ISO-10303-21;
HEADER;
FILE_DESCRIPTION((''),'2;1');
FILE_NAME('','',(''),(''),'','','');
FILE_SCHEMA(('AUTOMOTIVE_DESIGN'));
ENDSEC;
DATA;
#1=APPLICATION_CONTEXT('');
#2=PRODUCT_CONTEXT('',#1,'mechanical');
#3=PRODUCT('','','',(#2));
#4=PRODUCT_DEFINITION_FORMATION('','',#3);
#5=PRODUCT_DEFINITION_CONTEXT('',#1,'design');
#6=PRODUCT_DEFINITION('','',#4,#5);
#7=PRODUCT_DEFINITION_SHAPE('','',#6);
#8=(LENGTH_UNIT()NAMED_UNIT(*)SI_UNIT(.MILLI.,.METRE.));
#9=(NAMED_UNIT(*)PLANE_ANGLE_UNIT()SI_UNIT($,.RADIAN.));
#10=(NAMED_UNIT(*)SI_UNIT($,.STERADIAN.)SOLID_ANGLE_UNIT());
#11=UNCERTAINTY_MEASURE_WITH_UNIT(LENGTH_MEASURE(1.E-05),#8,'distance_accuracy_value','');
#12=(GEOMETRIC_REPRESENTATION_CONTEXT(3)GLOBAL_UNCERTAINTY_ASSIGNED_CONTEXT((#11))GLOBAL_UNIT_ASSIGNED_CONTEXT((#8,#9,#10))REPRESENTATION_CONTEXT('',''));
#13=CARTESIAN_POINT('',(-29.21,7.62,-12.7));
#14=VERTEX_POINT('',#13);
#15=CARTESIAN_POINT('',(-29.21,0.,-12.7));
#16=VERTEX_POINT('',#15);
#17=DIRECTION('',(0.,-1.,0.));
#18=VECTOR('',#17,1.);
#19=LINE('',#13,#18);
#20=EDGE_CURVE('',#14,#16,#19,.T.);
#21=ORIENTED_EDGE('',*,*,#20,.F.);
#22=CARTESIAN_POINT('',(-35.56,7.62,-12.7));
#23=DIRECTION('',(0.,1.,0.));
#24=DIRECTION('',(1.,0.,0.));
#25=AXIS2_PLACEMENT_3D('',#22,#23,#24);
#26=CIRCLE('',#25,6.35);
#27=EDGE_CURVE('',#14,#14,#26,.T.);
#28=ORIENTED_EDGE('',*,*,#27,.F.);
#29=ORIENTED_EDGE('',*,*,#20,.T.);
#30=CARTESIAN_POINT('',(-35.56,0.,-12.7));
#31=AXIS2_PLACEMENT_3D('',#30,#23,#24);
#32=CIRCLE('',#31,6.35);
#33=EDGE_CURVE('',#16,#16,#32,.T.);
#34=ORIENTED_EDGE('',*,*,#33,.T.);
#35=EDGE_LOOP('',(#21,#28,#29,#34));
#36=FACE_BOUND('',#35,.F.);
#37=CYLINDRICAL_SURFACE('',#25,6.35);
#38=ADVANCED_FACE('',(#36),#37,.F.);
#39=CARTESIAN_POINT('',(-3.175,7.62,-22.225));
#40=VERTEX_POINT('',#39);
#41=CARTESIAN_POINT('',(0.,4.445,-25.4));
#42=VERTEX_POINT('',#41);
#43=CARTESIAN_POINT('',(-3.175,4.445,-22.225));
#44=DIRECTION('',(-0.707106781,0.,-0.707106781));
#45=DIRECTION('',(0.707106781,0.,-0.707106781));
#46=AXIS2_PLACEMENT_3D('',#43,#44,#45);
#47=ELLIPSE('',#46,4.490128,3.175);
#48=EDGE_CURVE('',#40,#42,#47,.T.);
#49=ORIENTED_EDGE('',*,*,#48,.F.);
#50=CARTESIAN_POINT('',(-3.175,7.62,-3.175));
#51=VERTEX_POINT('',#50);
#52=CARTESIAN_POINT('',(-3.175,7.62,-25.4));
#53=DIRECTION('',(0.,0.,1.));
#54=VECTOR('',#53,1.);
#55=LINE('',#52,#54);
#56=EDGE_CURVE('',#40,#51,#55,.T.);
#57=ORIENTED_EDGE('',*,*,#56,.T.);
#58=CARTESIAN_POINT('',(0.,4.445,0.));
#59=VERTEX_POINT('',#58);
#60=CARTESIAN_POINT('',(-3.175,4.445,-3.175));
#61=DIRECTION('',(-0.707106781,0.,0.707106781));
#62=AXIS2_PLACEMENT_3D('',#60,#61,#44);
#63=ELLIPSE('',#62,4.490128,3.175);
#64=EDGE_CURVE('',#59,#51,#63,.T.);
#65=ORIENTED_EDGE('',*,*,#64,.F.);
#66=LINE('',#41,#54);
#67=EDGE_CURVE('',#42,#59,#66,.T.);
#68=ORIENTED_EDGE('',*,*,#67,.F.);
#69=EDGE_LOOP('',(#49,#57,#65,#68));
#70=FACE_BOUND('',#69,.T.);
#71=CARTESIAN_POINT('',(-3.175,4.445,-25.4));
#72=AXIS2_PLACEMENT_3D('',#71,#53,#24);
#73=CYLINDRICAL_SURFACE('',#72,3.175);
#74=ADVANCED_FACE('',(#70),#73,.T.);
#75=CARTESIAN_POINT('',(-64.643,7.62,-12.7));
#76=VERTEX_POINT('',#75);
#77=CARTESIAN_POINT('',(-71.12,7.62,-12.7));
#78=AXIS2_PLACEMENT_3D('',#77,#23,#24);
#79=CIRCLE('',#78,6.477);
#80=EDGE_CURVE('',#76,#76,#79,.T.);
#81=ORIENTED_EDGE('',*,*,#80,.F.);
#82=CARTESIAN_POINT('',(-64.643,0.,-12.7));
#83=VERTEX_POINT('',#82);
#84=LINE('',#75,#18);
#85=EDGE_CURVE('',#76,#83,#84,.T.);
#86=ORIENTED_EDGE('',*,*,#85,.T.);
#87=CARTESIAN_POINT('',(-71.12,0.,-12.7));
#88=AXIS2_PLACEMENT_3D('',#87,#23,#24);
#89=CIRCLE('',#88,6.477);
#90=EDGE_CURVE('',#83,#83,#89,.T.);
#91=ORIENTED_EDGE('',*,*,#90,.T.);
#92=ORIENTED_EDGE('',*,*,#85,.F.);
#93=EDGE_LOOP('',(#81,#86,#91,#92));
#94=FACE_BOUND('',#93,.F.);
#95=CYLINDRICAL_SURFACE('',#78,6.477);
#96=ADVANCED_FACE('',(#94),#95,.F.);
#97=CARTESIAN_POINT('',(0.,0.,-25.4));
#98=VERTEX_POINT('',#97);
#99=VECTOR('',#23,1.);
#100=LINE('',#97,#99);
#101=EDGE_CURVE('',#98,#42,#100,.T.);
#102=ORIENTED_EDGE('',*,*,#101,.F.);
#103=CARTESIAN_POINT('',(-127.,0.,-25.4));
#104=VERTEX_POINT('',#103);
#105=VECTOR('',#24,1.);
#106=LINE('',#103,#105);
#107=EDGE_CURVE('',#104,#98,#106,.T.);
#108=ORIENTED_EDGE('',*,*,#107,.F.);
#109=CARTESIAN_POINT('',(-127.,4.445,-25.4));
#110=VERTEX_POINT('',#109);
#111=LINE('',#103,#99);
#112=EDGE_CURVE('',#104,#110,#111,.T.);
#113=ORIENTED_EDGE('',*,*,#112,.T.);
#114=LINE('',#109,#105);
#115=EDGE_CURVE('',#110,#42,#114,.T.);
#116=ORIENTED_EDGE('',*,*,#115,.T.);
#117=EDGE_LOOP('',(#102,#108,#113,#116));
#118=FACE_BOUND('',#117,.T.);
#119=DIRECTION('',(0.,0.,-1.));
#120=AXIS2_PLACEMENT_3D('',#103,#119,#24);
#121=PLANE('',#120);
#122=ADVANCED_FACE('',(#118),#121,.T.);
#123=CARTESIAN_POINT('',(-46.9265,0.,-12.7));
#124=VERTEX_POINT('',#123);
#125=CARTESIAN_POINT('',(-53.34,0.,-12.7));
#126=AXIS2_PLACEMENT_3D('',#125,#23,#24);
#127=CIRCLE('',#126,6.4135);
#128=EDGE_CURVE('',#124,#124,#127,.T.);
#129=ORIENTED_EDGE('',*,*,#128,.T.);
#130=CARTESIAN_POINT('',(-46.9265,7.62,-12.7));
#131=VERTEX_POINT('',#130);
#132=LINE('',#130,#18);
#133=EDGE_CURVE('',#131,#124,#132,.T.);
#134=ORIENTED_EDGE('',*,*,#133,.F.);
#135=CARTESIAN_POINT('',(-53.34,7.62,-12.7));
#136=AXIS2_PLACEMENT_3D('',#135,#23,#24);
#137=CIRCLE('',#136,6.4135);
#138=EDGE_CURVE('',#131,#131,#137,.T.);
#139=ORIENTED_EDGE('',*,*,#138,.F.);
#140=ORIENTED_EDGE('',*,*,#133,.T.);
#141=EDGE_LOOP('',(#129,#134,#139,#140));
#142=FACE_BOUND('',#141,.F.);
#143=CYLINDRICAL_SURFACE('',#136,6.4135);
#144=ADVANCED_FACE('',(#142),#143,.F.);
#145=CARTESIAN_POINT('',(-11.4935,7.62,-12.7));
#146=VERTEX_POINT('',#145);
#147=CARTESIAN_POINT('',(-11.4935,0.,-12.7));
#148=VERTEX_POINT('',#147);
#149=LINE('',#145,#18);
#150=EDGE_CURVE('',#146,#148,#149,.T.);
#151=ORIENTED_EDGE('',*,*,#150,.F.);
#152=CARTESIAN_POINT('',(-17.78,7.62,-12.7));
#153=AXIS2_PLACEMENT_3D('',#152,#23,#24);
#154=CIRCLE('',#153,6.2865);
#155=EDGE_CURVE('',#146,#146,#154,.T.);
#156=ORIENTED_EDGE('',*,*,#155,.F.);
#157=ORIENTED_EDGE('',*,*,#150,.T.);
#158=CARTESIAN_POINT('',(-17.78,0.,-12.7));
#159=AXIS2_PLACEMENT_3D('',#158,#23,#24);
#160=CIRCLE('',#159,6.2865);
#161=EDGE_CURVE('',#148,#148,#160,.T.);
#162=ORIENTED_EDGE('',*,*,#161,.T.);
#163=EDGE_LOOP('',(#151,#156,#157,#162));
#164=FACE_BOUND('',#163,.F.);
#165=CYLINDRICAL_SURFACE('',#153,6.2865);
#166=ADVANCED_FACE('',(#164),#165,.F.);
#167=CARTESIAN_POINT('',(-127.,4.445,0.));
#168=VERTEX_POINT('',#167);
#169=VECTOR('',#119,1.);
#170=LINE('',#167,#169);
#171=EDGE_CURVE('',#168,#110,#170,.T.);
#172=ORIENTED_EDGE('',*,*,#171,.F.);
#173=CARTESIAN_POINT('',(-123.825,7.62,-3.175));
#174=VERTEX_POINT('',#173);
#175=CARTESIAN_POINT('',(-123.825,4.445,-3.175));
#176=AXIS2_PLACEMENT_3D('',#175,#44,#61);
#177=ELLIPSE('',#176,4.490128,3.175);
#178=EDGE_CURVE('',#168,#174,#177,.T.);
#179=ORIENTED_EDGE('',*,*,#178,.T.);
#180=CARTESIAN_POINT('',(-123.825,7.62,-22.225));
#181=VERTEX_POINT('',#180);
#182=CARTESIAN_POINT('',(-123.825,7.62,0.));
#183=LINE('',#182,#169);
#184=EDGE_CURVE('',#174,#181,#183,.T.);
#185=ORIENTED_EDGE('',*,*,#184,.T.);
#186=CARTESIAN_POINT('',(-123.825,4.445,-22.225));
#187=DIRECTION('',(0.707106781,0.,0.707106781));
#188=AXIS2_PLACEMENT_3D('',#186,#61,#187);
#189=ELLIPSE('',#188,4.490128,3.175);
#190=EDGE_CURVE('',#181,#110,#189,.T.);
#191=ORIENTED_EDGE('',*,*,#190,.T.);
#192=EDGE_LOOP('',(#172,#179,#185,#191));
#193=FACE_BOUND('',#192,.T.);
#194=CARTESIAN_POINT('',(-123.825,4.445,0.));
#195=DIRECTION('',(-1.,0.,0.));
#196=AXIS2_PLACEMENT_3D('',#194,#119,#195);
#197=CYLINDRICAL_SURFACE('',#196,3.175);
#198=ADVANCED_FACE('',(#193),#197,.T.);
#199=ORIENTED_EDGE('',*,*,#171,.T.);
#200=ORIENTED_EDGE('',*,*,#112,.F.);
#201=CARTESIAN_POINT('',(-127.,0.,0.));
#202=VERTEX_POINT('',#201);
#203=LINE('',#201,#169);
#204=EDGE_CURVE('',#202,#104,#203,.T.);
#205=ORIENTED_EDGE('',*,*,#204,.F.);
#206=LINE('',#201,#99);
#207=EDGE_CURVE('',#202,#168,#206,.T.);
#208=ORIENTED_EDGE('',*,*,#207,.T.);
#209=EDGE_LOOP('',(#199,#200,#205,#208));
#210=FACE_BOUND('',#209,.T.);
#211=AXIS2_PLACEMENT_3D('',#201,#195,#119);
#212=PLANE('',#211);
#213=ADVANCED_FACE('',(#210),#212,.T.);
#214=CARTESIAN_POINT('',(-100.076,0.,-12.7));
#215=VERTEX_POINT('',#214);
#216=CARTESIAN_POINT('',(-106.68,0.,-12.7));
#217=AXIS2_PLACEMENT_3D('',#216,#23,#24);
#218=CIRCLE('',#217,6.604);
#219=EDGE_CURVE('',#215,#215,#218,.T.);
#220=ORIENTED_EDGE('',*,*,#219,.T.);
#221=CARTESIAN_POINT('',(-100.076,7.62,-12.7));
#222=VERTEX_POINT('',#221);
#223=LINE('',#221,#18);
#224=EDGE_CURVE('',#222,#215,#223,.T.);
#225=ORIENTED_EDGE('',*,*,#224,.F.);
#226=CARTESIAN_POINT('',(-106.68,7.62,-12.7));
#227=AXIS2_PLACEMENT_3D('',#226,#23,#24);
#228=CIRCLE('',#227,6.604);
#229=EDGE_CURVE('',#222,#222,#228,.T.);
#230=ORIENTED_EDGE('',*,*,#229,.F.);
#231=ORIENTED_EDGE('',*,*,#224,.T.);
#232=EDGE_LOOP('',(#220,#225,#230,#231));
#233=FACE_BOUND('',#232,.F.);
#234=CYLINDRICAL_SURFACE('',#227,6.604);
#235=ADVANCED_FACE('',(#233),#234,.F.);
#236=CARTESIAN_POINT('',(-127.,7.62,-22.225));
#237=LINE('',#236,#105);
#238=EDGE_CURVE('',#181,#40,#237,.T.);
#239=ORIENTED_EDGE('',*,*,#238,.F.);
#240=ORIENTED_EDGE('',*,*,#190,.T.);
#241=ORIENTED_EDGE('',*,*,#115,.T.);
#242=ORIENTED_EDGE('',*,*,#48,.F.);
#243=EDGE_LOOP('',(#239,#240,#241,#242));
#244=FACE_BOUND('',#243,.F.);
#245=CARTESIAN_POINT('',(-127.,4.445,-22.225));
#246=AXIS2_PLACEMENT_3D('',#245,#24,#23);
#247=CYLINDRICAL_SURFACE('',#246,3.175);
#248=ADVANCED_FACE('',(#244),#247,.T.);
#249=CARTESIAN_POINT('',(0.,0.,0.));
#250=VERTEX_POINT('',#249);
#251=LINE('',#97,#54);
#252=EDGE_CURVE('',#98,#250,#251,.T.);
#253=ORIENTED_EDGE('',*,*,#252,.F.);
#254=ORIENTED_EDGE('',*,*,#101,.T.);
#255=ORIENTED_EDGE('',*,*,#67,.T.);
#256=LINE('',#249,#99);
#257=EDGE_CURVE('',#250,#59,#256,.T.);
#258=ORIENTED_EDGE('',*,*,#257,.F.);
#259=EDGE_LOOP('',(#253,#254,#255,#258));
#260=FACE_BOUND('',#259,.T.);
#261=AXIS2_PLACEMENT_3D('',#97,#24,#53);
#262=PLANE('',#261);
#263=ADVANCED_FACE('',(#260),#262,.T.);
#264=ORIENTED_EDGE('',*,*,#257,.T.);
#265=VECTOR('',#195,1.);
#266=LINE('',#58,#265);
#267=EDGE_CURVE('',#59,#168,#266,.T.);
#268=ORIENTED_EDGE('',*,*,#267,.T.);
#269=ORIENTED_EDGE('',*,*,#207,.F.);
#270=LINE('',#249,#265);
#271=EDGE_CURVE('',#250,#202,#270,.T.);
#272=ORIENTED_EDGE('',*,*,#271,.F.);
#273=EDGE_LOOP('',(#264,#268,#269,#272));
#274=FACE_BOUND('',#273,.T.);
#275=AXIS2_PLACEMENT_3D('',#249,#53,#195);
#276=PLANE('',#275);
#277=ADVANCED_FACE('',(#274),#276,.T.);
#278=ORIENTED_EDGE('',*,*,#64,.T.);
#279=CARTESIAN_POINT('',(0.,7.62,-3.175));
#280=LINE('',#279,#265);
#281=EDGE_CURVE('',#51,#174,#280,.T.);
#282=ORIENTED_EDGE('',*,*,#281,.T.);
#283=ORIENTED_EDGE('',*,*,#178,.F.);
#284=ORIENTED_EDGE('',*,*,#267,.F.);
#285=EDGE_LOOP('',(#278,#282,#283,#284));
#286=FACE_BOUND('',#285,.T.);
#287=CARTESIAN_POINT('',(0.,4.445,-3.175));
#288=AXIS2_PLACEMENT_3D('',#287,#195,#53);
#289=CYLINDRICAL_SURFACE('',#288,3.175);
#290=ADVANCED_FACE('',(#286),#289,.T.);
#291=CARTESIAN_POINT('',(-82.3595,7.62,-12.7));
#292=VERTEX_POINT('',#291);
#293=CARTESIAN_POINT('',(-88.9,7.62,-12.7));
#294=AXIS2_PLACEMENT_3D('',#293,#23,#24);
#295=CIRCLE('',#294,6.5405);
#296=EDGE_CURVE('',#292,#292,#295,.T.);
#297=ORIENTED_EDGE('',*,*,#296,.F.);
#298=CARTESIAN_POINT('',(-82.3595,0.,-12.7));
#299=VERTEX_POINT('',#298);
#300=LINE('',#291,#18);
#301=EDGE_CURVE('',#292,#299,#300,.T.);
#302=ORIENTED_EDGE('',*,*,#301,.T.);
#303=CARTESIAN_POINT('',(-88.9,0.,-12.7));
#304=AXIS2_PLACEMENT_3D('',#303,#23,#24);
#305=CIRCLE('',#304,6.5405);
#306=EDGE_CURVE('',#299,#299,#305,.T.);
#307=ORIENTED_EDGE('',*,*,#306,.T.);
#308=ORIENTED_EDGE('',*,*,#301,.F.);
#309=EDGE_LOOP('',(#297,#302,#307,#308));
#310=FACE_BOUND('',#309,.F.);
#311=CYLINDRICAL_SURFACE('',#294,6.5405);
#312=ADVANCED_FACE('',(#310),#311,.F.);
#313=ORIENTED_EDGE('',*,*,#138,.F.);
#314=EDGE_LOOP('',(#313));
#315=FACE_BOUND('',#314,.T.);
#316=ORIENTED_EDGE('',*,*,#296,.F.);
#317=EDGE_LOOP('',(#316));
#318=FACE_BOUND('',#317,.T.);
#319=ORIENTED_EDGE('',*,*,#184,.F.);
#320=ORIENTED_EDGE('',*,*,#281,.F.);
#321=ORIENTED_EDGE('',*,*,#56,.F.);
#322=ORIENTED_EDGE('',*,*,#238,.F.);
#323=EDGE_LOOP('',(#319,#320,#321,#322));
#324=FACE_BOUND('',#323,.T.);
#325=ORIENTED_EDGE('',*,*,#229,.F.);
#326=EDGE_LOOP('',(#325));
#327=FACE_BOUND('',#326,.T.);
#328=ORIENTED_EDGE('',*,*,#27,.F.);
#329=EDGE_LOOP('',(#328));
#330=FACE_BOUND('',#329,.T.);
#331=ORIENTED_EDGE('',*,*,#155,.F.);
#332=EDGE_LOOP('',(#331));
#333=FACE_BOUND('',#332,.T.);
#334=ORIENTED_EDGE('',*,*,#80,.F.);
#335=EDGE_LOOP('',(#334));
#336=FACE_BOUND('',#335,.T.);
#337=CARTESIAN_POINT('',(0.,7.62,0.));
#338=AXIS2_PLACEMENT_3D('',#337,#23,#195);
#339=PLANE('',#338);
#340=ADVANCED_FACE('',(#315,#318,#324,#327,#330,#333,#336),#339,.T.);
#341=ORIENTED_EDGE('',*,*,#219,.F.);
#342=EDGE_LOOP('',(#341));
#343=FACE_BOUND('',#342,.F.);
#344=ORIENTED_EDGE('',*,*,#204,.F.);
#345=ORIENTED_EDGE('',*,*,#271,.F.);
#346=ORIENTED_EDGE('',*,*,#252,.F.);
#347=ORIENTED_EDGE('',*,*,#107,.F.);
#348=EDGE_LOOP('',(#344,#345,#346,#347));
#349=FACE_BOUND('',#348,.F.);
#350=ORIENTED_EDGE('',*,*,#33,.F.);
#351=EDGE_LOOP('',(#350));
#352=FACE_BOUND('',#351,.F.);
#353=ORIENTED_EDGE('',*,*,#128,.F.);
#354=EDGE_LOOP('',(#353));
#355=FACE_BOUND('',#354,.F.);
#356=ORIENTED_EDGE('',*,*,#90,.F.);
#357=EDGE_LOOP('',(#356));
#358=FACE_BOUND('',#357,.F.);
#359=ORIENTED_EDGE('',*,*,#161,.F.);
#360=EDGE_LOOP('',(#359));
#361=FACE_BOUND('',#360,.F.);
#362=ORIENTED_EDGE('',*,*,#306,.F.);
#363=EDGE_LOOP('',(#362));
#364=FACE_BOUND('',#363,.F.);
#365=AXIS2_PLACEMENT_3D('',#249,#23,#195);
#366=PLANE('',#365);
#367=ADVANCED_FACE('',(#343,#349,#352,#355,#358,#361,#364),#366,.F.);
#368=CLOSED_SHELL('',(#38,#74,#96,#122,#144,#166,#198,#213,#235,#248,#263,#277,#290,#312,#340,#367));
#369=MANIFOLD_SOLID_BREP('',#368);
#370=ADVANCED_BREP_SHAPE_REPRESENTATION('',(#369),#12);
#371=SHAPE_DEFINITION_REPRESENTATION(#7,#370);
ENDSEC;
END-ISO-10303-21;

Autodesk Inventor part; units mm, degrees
ref_plane "YZ Plane" through (0, 0, 0) normal (1, 0, 0) x (0, 1, 0)
ref_plane "XZ Plane" through (0, 0, 0) normal (0, 1, 0) x (-1, 0, 0)
ref_plane "XY Plane" through (0, 0, 0) normal (0, 0, 1) x (1, 0, 0)
sketch "Sketch1" plane through (0, 0, 0) normal (0, 1, 0) x (-1, 0, 0)
  line L0 (0, 0) -> (127, 0)
  line L1 (127, 0) -> (127, -25.4)
  line L2 (127, -25.4) -> (0, -25.4)
  line L3 (0, -25.4) -> (0, 0)
  dimension "d0" = 127
  dimension "d1" = 25.4
extrude "Extrusion1" add sketch "Sketch1" along normal blind 7.62
sketch "Sketch2" plane through (0, 7.62, 0) normal (0, 1, 0) x (1, 0, 0)
  circle A0 centre (-17.78, 12.7) radius 6.2865
  circle A1 centre (-35.56, 12.7) radius 6.35
  circle A2 centre (-53.34, 12.7) radius 6.4135
  circle A3 centre (-71.12, 12.7) radius 6.477
  circle A4 centre (-88.9, 12.7) radius 6.5405
  circle A5 centre (-106.68, 12.7) radius 6.604
  line L0 (0, 0) -> (0, 25.4) projected
  dimension "d4" = 12.573
  dimension "d5" = 12.7
  dimension "d6" = 12.827
  dimension "d7" = 12.954
  dimension "d8" = 13.081
  dimension "d9" = 13.208
  dimension "d10" = 17.78
  dimension "d11" = 17.78
  dimension "d12" = 17.78
  dimension "d13" = 17.78
  dimension "d14" = 17.78
  dimension "d15" = 17.78
extrude "Extrusion2" cut sketch "Sketch2" against normal through all
fillet "Fillet1" radius 3.175 4 edges at (-63.5, 7.62, 0) (-63.5, 7.62, -25.4) (0, 7.62, -12.7) (-127, 7.62, -12.7)
properties part number "Bearing hole test"
